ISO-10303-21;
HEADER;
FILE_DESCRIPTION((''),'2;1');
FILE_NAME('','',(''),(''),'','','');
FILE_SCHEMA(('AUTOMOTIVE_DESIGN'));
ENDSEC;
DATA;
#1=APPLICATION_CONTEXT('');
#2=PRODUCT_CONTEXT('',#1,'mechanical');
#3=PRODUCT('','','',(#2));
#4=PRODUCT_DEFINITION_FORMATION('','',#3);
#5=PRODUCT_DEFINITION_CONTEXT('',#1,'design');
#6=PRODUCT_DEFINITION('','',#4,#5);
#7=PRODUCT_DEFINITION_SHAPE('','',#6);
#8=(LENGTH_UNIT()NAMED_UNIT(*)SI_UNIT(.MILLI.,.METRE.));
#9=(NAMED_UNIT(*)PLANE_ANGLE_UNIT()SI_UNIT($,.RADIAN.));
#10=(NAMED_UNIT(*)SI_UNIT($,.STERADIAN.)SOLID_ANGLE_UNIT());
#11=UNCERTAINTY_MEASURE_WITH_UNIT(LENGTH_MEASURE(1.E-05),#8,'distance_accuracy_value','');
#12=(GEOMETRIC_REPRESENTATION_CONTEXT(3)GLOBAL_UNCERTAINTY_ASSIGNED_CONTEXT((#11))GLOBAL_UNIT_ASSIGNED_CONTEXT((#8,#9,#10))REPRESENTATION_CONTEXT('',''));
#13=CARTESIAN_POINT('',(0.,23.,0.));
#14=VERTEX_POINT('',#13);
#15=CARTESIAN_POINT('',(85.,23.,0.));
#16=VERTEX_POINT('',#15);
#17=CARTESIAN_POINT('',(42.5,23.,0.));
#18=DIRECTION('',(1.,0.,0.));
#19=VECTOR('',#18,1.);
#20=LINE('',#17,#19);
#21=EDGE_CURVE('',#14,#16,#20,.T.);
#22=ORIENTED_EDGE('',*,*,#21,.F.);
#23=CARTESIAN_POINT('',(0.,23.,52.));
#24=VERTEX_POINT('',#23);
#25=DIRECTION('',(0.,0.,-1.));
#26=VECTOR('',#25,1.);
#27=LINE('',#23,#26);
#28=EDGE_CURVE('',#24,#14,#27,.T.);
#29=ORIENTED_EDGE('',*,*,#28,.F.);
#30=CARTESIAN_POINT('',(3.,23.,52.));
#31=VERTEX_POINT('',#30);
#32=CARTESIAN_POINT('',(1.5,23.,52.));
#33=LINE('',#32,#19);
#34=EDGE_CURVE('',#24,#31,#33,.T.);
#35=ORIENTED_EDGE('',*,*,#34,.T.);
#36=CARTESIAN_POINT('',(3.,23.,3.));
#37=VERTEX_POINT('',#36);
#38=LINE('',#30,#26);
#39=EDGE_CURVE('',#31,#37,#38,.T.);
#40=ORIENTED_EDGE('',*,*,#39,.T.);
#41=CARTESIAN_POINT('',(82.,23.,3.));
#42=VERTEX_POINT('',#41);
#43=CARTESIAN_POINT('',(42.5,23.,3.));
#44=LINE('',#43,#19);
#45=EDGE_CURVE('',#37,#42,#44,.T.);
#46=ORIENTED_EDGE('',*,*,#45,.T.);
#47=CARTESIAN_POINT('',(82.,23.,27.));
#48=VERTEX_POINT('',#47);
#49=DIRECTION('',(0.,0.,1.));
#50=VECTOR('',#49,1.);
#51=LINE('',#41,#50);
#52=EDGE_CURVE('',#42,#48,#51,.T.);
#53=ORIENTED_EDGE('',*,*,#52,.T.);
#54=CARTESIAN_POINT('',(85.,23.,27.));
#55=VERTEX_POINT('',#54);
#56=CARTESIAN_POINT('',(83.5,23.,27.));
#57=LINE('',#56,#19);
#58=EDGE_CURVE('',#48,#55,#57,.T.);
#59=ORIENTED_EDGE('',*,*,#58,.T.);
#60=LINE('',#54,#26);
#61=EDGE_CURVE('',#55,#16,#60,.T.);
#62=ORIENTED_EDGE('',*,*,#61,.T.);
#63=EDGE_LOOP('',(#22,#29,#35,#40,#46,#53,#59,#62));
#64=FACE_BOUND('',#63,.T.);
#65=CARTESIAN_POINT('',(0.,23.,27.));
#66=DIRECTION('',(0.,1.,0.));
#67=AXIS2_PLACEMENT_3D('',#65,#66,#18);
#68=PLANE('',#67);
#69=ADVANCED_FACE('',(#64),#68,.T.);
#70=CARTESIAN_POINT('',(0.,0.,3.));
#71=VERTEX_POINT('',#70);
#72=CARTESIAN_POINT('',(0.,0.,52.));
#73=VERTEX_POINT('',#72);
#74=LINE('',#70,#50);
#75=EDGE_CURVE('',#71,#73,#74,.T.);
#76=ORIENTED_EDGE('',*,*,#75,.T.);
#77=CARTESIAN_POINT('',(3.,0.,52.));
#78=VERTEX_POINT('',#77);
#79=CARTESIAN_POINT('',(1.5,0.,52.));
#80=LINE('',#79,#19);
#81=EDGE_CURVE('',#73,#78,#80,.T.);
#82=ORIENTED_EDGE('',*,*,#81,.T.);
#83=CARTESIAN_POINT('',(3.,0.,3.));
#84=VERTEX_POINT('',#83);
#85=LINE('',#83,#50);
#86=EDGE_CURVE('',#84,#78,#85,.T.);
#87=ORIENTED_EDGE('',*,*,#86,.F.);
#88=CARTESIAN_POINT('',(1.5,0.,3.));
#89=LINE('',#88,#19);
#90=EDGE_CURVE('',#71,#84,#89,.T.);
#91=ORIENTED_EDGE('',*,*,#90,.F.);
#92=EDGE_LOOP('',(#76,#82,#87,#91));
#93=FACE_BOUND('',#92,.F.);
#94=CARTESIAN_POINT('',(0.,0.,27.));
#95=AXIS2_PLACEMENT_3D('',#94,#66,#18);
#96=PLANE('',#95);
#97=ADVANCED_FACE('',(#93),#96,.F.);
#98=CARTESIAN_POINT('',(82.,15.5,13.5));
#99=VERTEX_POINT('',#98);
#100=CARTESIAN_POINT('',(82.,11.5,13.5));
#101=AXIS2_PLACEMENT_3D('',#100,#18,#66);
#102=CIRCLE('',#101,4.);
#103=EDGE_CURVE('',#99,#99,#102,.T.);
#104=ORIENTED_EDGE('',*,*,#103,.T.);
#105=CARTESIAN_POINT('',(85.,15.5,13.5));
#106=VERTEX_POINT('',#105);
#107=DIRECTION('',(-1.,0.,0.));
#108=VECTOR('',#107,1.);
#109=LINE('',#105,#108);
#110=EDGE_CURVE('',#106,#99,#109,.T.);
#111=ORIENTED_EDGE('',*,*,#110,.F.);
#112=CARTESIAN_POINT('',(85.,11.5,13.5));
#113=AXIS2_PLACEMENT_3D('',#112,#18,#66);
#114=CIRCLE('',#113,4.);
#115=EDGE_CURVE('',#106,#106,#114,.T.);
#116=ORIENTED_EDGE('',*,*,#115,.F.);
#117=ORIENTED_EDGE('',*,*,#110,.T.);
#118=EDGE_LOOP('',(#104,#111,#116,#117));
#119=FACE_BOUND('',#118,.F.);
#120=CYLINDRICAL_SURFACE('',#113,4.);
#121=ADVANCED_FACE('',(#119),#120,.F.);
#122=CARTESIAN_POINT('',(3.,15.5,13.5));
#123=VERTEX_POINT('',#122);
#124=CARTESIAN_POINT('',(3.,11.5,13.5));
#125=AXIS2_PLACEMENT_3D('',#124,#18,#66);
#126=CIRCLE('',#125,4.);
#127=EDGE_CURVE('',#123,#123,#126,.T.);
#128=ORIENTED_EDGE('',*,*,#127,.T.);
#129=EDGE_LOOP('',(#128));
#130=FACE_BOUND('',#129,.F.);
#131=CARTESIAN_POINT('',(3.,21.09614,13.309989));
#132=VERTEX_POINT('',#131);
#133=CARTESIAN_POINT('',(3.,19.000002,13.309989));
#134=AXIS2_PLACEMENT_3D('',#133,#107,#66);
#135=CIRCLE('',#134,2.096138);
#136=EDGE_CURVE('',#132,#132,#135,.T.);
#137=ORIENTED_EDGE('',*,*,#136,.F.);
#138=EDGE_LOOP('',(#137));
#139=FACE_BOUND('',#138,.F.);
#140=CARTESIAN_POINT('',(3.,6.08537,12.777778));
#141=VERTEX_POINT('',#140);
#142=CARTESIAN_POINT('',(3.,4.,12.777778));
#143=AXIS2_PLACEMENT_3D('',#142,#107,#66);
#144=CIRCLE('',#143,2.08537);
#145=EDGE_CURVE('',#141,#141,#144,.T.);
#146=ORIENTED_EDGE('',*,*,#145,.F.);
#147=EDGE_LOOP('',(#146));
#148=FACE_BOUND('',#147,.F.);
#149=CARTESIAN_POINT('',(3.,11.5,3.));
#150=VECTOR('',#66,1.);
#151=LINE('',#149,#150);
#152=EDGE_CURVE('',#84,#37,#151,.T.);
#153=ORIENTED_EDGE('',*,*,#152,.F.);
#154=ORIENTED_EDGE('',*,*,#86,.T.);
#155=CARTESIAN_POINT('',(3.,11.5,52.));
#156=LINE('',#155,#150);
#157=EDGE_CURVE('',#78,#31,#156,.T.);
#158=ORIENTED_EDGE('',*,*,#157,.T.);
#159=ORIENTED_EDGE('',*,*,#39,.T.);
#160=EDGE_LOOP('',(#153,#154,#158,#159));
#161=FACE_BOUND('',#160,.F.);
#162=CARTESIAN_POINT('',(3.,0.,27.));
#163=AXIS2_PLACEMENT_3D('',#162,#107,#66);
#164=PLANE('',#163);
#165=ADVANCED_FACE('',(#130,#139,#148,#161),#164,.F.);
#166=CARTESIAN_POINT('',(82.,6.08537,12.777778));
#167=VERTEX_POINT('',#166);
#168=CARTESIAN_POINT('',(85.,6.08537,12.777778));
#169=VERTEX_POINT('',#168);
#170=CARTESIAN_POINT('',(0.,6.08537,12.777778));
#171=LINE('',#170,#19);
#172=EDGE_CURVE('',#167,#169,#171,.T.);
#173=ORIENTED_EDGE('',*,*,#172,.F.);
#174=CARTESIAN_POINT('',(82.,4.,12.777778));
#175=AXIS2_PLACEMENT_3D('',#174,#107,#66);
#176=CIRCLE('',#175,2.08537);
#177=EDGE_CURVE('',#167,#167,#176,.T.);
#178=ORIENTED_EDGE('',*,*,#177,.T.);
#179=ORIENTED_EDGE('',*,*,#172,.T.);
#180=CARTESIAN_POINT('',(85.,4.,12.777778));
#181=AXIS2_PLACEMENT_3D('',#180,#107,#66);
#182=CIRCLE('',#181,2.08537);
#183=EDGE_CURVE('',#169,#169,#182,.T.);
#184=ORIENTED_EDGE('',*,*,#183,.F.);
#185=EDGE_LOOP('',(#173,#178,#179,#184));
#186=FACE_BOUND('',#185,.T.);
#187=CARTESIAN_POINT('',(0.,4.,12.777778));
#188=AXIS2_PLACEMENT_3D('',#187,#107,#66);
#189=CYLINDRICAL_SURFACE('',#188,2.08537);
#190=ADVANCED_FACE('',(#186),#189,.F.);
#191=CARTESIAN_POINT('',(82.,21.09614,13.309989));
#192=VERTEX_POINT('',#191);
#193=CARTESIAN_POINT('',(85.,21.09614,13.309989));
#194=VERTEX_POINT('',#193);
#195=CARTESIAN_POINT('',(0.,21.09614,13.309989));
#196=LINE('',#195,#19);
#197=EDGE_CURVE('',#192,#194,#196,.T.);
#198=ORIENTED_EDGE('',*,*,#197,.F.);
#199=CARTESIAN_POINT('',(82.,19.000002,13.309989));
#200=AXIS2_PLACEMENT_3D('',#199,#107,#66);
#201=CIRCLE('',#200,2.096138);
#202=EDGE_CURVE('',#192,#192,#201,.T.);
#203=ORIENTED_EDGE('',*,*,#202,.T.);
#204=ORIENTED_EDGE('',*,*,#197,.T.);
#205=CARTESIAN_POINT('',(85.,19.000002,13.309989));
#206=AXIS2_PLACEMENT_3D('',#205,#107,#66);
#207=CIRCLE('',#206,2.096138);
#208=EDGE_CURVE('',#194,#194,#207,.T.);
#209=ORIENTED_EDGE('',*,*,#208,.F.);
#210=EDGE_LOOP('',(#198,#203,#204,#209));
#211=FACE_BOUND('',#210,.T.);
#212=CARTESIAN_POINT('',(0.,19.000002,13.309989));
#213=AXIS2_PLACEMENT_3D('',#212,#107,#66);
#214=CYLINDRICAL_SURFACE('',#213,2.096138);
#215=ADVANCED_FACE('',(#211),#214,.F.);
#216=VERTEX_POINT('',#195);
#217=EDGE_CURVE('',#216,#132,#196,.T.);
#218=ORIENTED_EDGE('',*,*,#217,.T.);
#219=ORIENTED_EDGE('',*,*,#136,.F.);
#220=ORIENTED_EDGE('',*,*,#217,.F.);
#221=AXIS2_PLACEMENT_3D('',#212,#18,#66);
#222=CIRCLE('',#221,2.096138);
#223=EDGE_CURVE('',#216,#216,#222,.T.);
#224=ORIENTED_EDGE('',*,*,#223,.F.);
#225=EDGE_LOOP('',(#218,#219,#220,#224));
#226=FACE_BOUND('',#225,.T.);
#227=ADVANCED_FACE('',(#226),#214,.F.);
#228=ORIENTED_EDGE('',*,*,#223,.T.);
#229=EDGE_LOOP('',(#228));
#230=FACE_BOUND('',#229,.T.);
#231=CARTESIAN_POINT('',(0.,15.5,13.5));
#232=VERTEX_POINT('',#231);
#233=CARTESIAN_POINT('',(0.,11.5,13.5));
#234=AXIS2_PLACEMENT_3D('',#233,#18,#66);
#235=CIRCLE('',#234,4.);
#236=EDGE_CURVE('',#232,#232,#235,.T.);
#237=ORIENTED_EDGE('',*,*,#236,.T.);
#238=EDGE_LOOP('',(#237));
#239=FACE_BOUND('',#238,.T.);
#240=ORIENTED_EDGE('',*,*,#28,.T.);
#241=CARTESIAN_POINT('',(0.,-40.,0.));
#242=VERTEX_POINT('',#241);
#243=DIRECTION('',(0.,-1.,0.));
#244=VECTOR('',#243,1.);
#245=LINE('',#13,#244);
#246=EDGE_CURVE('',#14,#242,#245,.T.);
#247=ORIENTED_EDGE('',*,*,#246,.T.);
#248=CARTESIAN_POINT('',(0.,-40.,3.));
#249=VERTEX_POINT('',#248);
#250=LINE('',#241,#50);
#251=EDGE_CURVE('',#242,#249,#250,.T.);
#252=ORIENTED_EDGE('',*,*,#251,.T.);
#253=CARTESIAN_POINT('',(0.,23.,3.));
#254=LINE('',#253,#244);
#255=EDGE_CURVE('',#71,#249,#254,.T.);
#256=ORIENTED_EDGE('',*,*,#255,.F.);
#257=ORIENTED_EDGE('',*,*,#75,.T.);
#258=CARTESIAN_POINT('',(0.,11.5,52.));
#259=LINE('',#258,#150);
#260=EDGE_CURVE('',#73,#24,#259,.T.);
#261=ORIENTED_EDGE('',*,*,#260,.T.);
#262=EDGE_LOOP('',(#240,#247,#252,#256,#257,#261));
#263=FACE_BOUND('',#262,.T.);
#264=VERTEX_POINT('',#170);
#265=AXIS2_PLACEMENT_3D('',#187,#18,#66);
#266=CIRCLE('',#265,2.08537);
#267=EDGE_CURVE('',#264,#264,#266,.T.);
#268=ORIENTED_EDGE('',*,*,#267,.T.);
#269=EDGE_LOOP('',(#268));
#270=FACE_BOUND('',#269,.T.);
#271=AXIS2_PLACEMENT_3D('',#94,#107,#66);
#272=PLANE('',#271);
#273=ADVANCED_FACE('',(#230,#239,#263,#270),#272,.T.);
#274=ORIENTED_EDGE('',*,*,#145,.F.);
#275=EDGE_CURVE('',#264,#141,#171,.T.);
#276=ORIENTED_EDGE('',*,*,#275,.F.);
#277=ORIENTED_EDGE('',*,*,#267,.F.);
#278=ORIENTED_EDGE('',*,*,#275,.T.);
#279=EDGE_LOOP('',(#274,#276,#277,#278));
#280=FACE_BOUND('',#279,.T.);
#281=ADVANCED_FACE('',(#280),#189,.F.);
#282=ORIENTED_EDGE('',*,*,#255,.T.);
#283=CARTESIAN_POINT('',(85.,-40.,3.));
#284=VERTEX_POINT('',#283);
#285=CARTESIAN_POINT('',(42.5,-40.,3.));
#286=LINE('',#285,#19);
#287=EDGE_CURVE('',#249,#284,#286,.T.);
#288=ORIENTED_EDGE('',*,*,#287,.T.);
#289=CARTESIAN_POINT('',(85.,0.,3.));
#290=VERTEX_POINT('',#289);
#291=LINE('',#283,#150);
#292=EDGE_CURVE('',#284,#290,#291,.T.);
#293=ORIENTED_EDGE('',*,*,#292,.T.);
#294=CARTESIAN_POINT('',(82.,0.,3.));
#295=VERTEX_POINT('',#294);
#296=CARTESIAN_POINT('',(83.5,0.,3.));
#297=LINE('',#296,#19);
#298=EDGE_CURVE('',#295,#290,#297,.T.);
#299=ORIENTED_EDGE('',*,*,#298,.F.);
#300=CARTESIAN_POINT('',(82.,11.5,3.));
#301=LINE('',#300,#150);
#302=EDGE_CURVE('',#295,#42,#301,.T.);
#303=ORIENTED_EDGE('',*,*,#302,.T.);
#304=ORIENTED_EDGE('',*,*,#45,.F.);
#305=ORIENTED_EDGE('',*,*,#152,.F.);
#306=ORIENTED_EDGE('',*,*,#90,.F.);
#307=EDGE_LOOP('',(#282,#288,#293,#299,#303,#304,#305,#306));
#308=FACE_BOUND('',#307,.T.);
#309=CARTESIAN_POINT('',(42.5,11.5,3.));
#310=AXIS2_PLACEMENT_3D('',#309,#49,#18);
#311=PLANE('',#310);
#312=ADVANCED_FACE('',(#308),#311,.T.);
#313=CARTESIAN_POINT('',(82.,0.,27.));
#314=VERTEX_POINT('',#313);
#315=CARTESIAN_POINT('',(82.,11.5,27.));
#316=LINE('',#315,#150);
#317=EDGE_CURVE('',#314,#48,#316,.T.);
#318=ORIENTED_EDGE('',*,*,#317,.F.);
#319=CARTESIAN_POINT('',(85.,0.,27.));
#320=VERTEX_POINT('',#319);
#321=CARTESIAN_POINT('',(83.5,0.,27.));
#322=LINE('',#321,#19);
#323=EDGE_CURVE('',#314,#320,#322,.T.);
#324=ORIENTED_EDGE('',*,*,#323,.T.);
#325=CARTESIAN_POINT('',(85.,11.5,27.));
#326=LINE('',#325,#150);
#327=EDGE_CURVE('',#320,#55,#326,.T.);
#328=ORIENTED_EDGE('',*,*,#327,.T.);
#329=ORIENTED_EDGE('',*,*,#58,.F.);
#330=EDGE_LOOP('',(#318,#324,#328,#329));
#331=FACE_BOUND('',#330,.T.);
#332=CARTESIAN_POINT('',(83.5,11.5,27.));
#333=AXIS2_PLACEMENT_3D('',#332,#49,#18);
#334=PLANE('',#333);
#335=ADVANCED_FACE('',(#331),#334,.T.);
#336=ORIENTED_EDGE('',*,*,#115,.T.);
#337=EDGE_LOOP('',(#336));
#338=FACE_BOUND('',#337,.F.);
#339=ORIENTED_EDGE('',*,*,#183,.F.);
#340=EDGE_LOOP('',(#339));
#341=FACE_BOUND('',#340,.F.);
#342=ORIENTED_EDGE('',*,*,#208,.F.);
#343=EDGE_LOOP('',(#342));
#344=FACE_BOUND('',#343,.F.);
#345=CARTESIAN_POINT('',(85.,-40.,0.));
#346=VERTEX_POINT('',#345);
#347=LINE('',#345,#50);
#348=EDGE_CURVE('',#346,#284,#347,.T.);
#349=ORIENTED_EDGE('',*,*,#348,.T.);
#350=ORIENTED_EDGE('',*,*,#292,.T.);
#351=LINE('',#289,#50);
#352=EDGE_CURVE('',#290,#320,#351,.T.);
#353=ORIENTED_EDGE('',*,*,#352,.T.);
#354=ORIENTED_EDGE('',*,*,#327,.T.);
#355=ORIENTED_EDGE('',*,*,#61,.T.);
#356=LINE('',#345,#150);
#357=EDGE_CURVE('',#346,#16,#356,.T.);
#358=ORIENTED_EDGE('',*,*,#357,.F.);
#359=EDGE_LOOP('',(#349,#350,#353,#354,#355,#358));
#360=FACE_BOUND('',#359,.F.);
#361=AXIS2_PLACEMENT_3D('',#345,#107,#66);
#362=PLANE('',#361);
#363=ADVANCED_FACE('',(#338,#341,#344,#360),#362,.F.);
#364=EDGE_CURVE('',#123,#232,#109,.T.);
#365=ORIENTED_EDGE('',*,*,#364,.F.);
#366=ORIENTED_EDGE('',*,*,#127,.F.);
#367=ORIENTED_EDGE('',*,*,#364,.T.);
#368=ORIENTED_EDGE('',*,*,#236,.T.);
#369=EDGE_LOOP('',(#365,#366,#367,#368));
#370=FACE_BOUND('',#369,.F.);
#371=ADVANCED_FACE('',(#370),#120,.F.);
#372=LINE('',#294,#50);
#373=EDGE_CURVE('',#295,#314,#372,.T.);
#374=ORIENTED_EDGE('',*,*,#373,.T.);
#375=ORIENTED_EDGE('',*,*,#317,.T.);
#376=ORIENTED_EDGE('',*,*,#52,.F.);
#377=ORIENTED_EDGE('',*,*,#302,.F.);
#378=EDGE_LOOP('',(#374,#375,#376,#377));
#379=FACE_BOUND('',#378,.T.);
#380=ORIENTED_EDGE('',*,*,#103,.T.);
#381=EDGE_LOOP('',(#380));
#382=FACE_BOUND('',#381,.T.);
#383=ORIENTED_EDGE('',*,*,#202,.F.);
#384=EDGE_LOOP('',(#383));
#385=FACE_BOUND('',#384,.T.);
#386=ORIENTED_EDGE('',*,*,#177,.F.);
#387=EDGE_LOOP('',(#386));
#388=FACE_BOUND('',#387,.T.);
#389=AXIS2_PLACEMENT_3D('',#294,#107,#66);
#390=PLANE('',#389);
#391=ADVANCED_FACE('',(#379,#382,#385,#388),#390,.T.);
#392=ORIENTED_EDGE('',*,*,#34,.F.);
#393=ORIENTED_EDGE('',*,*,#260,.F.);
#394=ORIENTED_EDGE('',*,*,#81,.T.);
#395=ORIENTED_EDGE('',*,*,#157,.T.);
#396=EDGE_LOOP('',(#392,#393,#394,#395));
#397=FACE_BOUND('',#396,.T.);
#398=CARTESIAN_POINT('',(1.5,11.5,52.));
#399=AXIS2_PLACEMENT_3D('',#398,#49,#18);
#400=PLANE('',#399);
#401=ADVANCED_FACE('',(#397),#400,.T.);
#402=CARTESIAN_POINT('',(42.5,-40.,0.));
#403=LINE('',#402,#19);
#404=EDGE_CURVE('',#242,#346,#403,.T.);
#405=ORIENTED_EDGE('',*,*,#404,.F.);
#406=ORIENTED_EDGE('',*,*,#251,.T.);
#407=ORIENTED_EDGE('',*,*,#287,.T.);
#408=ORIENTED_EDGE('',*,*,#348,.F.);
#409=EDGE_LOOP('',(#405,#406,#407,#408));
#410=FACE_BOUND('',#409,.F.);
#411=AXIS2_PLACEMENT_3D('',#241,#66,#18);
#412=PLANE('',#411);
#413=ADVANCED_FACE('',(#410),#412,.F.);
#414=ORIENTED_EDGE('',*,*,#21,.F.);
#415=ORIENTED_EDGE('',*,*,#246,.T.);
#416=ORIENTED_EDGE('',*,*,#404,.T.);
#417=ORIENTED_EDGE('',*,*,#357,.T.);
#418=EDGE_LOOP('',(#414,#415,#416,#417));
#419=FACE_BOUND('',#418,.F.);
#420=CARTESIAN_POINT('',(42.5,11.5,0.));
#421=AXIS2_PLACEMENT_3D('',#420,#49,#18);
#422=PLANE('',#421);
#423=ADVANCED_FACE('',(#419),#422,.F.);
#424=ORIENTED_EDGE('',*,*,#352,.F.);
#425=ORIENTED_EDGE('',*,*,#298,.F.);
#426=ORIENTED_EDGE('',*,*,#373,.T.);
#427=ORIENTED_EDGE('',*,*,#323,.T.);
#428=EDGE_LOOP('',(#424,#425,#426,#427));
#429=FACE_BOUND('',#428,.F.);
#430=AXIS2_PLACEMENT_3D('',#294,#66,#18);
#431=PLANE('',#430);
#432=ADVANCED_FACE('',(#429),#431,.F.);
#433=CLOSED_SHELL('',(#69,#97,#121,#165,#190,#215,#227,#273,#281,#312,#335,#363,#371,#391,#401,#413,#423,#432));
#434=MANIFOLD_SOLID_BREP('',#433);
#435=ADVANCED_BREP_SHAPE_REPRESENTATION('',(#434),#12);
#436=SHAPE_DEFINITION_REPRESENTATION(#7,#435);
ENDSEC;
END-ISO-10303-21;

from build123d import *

# Parameters (mm, degrees)
F0_W      = 85
F0_H      = 23
F0_H_2    = 40
F1_DEPTH  = 3
F2_W      = 3
F2_H      = 23
F3_DEPTH  = 24
F4_W      = 3
F4_H      = 23
F5_DEPTH  = 25
F6_R      = 4
F7_DEPTH  = 200
F8_R      = 2.096138
F9_DEPTH  = 101.9
F10_R     = 2.08537
F11_DEPTH = 136.8


with BuildPart() as f1:
    # F0 (on Top) → F1 (new body)
    with BuildSketch(Plane.XY):
        with Locations((42.5, 11.5)):
            Rectangle(F0_W, F0_H)
        with Locations((42.5, -20)):
            Rectangle(F0_W, F0_H_2)
    extrude(amount=F1_DEPTH)

    # F2 (on face) → F3 (join)
    with BuildSketch(Plane.XY.offset(3)):
        with Locations((1.5, 11.5)):
            Rectangle(F2_W, F2_H)
        with Locations((83.5, 11.5)):
            Rectangle(F2_W, F2_H)
    extrude(amount=F3_DEPTH)

    # F4 (on face) → F5 (join)
    with BuildSketch(Plane.XY.offset(27)):
        with Locations((1.5, 11.5)):
            Rectangle(F4_W, F4_H)
    extrude(amount=F5_DEPTH)

    # F6 (on face) → F7 (cut)
    with BuildSketch(Plane.YZ.offset(85)):
        with Locations((11.5, 13.5)):
            Circle(F6_R)
    extrude(amount=-F7_DEPTH, mode=Mode.SUBTRACT)

    # F8 (on Right) → F9 (cut)
    with BuildSketch(Plane.YZ):
        with Locations((19.000002, 13.309989)):
            Circle(F8_R)
    extrude(amount=F9_DEPTH, mode=Mode.SUBTRACT)

    # F10 (on Right) → F11 (cut)
    with BuildSketch(Plane.YZ):
        with Locations((4, 12.777778)):
            Circle(F10_R)
    extrude(amount=F11_DEPTH, mode=Mode.SUBTRACT)


solid = f1.part
